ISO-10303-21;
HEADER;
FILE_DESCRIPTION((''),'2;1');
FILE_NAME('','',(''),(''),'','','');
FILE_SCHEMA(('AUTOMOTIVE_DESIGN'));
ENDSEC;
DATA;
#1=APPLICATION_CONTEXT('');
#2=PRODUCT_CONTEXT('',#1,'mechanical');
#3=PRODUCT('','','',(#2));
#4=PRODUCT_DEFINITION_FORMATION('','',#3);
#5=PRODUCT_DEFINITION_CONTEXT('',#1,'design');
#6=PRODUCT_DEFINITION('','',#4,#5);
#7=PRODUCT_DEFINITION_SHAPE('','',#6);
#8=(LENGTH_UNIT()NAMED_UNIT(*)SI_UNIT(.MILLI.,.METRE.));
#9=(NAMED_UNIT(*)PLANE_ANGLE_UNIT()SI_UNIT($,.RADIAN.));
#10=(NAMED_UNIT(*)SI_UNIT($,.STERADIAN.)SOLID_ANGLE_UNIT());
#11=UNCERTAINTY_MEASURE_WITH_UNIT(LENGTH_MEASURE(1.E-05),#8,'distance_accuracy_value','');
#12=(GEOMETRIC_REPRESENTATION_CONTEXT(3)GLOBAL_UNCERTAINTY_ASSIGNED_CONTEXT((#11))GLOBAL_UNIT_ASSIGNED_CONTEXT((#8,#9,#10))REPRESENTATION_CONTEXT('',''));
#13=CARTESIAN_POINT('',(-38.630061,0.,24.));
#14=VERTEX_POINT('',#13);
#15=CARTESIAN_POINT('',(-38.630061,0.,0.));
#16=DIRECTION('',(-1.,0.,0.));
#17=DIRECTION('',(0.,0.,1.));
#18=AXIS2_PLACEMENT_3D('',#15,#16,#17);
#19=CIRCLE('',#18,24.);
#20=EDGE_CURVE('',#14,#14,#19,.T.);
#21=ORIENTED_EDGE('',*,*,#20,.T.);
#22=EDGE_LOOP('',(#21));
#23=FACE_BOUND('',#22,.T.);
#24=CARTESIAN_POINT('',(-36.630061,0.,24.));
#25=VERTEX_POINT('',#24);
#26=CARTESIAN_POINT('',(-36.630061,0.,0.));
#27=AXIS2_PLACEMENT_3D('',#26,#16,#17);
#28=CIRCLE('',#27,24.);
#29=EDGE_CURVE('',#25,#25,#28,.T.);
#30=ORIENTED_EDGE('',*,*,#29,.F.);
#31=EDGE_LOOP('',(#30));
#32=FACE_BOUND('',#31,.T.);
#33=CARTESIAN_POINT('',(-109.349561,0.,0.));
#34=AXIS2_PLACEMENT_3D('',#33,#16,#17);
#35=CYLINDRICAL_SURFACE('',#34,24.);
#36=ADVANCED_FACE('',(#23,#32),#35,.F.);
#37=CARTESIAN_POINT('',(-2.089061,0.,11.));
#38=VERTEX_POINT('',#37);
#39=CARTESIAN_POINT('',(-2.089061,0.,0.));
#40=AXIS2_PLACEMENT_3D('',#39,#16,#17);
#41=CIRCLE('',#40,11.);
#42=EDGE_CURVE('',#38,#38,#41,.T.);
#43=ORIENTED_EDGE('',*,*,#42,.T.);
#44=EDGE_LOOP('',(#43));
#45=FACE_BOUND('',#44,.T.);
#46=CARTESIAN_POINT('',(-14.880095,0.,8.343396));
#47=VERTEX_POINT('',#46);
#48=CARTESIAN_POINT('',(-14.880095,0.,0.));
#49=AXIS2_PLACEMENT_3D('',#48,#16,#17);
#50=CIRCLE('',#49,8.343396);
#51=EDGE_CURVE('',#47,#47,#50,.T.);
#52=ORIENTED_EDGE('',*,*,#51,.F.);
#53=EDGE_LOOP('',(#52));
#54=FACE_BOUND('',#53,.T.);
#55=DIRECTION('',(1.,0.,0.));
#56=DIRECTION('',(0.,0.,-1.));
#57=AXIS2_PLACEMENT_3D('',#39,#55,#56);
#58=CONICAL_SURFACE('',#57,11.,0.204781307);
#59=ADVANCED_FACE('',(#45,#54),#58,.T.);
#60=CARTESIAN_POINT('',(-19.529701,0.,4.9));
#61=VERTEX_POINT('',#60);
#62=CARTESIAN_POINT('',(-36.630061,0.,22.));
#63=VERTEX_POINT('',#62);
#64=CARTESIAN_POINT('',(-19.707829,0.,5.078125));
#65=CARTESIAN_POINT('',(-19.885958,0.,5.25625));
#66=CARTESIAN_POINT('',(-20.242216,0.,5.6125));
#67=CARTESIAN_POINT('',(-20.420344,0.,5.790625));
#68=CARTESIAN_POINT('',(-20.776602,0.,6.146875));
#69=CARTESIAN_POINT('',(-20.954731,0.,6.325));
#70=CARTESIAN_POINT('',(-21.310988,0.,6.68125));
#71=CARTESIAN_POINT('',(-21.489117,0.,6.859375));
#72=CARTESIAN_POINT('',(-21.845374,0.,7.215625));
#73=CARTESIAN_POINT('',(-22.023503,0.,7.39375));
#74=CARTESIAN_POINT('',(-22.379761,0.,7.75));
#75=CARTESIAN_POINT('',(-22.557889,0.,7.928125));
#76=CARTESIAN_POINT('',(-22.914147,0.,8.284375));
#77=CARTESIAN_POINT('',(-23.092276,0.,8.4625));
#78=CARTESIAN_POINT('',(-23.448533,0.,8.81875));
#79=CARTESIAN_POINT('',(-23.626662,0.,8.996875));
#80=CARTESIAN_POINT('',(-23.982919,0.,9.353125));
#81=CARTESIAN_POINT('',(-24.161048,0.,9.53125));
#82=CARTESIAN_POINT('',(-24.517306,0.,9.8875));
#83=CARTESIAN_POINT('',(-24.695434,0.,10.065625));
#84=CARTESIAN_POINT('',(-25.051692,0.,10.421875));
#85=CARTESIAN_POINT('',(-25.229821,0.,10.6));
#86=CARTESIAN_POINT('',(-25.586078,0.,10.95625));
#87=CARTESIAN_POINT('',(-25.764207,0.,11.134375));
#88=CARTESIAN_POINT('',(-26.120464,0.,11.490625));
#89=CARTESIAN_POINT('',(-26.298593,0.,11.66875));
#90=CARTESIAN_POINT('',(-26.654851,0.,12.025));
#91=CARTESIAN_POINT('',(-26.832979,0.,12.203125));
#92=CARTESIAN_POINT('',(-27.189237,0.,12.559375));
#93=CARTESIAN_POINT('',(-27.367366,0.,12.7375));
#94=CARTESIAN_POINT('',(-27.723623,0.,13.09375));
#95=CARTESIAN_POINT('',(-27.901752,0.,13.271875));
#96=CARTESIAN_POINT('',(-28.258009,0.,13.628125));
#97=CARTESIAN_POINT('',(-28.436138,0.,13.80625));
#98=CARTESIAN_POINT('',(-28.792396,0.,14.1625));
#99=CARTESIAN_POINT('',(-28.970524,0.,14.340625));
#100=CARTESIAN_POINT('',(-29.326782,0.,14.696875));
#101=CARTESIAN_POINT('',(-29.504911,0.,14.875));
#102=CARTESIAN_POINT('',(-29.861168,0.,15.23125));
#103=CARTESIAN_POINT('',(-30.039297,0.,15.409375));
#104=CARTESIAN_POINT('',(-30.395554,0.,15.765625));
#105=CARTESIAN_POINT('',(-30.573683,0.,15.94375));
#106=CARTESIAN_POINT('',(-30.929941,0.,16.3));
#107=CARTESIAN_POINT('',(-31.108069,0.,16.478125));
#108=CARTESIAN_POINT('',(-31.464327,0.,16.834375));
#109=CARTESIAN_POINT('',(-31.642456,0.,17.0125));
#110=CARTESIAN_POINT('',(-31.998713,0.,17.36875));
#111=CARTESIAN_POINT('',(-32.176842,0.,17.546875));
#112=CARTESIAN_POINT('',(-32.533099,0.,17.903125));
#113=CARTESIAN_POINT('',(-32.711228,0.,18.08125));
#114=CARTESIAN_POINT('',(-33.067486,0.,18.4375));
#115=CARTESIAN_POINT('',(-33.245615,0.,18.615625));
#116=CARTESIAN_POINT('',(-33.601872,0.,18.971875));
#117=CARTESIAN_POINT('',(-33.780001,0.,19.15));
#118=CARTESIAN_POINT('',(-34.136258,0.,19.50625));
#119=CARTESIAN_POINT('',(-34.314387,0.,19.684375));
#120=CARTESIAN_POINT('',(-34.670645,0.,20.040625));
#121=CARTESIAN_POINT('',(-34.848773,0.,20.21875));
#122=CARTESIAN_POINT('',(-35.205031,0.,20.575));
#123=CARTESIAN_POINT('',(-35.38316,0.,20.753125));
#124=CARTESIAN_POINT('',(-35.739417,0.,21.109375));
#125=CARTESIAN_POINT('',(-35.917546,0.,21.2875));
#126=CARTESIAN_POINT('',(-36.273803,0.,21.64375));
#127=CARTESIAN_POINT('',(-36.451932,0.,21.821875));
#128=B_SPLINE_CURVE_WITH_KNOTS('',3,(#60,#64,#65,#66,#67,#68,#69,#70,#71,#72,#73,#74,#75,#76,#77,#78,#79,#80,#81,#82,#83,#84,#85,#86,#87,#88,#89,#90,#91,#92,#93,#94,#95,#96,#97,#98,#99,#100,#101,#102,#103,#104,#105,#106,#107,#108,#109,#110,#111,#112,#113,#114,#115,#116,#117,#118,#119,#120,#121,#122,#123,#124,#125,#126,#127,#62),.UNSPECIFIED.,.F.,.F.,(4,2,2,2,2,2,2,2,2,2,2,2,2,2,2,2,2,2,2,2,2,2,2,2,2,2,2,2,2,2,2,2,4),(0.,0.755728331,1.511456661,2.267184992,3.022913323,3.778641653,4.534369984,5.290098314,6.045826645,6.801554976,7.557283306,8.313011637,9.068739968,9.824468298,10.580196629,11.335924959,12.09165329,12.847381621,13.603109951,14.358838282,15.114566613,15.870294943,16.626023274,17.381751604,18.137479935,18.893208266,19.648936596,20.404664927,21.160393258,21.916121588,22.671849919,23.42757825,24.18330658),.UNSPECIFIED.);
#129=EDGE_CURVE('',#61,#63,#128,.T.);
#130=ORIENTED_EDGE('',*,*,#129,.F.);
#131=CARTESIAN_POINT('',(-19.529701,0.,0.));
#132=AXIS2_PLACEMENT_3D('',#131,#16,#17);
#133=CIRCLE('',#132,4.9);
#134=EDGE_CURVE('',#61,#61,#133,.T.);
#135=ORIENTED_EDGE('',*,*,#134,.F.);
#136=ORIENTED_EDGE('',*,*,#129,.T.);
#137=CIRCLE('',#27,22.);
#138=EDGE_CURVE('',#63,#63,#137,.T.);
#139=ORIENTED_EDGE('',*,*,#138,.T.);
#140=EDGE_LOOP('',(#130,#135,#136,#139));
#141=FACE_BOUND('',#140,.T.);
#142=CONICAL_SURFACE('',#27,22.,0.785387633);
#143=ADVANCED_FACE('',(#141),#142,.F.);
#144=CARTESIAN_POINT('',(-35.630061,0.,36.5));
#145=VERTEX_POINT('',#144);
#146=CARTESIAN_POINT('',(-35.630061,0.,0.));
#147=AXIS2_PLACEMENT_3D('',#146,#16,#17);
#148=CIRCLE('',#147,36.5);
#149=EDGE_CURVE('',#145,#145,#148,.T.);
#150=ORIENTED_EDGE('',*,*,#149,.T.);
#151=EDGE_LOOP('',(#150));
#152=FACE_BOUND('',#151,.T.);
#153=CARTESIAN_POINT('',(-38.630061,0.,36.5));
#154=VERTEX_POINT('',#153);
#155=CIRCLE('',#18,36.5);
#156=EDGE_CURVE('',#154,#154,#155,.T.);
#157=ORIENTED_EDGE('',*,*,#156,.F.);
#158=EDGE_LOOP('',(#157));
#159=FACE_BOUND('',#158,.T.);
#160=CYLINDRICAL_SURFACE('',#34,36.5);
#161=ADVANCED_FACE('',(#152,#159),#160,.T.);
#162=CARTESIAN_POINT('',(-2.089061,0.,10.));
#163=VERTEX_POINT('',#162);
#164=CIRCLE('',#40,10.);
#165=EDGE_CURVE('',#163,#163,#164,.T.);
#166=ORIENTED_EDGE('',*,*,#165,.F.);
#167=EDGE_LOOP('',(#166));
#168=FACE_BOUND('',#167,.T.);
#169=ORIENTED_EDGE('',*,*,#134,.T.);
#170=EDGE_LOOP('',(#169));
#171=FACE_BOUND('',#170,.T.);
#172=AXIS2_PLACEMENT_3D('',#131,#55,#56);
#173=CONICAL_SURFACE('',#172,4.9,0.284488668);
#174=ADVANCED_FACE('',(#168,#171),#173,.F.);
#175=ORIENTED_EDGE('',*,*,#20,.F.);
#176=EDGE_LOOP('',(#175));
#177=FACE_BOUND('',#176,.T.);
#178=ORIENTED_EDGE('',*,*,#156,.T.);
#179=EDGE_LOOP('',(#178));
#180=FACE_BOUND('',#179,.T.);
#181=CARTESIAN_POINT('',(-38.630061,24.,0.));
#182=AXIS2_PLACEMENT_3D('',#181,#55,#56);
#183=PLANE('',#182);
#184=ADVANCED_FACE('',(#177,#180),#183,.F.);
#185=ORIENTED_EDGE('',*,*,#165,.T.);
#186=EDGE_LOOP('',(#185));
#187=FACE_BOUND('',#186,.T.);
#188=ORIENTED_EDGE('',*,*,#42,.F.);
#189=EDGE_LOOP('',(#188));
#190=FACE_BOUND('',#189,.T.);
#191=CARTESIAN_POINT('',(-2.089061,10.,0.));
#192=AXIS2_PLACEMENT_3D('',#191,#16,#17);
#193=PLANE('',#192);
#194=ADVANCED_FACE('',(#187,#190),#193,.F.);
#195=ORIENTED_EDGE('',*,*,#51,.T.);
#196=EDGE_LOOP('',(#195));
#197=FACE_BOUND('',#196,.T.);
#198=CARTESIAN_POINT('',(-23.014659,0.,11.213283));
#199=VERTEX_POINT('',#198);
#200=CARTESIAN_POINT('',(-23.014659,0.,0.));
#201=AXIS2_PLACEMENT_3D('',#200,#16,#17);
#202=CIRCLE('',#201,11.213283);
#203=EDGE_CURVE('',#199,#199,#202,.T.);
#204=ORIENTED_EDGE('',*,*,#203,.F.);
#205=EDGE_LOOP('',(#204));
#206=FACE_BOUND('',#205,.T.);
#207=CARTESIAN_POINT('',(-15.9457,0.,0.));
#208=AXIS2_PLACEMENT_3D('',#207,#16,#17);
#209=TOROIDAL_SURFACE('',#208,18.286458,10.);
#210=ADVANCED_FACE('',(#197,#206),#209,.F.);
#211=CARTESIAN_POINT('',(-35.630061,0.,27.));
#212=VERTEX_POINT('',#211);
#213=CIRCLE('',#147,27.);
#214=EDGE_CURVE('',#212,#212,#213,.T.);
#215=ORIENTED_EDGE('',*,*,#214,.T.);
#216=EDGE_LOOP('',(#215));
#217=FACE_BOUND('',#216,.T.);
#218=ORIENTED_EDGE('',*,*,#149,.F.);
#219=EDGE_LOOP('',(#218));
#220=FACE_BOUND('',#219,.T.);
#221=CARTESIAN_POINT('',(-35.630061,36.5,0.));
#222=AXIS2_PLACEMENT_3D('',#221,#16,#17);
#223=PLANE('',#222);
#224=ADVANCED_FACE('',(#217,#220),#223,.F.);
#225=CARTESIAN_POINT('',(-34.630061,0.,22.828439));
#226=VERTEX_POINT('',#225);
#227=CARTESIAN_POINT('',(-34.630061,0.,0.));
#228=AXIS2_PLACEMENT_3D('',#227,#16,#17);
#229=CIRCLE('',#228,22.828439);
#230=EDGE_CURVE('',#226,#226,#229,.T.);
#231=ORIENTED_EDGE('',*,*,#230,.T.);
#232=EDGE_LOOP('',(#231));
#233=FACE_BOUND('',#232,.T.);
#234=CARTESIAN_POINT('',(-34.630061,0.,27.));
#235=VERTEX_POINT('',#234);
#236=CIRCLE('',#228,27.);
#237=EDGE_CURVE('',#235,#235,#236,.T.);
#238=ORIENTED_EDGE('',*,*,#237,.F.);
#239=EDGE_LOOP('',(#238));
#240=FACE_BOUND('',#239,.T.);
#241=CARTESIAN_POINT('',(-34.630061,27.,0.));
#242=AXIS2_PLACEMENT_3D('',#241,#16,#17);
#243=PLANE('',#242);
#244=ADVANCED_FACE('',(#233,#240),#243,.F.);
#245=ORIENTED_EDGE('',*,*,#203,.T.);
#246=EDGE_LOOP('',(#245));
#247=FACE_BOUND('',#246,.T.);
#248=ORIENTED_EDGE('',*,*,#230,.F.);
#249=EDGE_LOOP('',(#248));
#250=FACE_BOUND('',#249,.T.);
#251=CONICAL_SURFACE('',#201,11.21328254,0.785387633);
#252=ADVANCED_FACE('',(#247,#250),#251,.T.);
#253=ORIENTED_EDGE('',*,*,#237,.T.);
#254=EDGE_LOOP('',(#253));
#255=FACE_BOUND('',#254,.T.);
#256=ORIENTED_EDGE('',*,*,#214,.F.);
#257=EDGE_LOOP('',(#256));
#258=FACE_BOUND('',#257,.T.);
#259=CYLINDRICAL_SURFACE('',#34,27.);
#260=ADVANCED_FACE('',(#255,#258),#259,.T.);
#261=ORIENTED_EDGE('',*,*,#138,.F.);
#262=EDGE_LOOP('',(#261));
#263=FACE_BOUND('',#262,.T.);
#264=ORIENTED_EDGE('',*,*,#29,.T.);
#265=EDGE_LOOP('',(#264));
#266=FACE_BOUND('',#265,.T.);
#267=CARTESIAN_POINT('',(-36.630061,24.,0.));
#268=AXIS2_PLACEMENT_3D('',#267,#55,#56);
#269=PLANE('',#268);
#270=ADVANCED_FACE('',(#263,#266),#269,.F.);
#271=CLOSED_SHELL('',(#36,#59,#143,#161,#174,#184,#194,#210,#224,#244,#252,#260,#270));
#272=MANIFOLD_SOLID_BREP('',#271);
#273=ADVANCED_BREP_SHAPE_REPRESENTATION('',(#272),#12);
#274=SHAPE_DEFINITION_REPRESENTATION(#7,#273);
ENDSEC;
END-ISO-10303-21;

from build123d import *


with BuildPart() as part:
    # Esboço2 → revolução (revolve)
    with BuildSketch(Plane.XY, mode=Mode.PRIVATE) as revolu_o_sk:
        with BuildLine():
            Line((-38.630060783, 24), (-36.630060783, 24))
            Line((-36.630060783, 24), (-36.630060783, 22))
            Line((-36.630060783, 22), (-19.529700637, 4.9))
            Line((-19.529700637, 4.9), (-2.089060783, 10))
            Line((-2.089060783, 10), (-2.089060783, 11))
            Line((-2.089060783, 11), (-14.880094771, 8.343395867))
            ThreePointArc((-14.880094771, 8.343395867), (-19.272729764, 8.856141459), (-23.014659232, 11.21328254))
            Line((-23.014659232, 11.21328254), (-34.630060783, 22.828439462))
            Line((-34.630060783, 22.828439462), (-34.630060783, 27))
            Line((-34.630060783, 27), (-35.630060783, 27))
            Line((-35.630060783, 27), (-35.630060783, 36.5))
            Line((-35.630060783, 36.5), (-38.630060783, 36.5))
            Line((-38.630060783, 36.5), (-38.630060783, 24))
        make_face()
    revolve(revolu_o_sk.sketch.rotate(Axis((-109.349560783, 0, 0), (1, 0, 0)), 90), axis=Axis((-109.349560783, 0, 0), (1, 0, 0)))


solid = part.part
